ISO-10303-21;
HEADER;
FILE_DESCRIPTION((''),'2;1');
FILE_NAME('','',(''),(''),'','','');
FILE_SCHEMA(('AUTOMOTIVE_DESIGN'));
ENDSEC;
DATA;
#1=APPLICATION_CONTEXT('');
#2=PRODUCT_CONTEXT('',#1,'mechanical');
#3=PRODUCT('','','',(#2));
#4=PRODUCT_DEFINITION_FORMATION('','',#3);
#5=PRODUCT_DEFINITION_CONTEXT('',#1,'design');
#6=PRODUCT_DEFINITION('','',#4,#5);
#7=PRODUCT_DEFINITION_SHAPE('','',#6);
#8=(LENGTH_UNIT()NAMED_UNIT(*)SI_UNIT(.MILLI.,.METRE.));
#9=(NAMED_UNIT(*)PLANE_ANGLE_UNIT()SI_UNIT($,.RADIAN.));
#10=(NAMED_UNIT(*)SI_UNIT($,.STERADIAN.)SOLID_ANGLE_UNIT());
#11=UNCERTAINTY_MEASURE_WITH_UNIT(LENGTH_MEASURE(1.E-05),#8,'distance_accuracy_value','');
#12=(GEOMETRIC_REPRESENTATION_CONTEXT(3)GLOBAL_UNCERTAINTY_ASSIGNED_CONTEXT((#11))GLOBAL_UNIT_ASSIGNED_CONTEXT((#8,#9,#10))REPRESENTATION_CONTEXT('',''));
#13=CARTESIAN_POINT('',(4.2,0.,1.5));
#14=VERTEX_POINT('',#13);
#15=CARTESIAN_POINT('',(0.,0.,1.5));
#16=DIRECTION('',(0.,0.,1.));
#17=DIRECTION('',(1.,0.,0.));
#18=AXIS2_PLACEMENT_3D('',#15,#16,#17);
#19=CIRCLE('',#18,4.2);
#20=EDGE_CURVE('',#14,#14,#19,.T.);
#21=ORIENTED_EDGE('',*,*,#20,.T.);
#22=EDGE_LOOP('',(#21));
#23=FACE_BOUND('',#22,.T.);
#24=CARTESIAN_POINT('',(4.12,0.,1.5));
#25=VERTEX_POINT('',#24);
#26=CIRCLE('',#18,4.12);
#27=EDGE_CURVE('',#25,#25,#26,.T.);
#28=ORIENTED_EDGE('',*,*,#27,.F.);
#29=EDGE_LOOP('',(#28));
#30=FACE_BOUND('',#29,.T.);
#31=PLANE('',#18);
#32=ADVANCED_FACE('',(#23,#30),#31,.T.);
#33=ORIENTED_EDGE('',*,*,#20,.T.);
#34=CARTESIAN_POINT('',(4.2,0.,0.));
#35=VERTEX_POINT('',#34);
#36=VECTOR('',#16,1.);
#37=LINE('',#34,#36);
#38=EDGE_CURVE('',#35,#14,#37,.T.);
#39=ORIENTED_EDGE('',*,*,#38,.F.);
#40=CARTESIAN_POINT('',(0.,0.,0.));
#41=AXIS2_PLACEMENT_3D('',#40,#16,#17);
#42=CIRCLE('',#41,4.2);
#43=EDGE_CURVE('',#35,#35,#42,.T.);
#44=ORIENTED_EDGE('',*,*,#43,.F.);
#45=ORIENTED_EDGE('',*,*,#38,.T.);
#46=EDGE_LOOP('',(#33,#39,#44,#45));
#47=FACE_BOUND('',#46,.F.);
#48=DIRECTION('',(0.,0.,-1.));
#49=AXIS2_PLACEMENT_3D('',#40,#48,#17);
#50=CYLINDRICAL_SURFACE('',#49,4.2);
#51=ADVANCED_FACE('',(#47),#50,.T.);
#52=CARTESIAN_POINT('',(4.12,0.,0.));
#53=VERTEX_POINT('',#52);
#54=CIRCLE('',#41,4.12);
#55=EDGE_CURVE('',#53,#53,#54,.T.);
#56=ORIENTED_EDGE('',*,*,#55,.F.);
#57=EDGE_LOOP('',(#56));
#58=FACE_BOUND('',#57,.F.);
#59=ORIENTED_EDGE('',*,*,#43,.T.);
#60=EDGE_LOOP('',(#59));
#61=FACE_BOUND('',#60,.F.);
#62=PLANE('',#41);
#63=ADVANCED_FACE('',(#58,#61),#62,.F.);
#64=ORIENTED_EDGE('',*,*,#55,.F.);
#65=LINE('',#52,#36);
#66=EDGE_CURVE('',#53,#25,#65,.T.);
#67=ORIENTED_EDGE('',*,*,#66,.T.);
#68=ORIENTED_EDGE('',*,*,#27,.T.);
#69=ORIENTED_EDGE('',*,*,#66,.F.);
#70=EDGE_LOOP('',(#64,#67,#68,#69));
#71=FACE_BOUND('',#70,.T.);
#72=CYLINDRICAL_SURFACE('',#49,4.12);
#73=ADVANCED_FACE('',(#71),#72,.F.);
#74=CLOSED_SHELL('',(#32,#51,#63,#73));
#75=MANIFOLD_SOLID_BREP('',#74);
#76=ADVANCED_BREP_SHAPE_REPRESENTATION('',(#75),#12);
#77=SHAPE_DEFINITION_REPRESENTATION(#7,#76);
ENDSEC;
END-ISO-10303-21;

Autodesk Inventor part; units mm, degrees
ref_plane "YZ Plane" through (0, 0, 0) normal (1, 0, 0) x (0, 1, 0)
ref_plane "XZ Plane" through (0, 0, 0) normal (0, 1, 0) x (-1, 0, 0)
ref_plane "XY Plane" through (0, 0, 0) normal (0, 0, 1) x (1, 0, 0)
sketch "Sketch1" plane through (0, 0, 0) normal (0, 0, 1) x (1, 0, 0)
  circle A0 centre (0, 0) radius 4.2
  circle A1 centre (0, 0) radius 4.12
  dimension "d0" = 8.4
  dimension "d1" = 8.24
extrude "Extrusion1" add sketch "Sketch1" along normal blind 1.5
properties part number "PP-03" material "Steel, Mild"
